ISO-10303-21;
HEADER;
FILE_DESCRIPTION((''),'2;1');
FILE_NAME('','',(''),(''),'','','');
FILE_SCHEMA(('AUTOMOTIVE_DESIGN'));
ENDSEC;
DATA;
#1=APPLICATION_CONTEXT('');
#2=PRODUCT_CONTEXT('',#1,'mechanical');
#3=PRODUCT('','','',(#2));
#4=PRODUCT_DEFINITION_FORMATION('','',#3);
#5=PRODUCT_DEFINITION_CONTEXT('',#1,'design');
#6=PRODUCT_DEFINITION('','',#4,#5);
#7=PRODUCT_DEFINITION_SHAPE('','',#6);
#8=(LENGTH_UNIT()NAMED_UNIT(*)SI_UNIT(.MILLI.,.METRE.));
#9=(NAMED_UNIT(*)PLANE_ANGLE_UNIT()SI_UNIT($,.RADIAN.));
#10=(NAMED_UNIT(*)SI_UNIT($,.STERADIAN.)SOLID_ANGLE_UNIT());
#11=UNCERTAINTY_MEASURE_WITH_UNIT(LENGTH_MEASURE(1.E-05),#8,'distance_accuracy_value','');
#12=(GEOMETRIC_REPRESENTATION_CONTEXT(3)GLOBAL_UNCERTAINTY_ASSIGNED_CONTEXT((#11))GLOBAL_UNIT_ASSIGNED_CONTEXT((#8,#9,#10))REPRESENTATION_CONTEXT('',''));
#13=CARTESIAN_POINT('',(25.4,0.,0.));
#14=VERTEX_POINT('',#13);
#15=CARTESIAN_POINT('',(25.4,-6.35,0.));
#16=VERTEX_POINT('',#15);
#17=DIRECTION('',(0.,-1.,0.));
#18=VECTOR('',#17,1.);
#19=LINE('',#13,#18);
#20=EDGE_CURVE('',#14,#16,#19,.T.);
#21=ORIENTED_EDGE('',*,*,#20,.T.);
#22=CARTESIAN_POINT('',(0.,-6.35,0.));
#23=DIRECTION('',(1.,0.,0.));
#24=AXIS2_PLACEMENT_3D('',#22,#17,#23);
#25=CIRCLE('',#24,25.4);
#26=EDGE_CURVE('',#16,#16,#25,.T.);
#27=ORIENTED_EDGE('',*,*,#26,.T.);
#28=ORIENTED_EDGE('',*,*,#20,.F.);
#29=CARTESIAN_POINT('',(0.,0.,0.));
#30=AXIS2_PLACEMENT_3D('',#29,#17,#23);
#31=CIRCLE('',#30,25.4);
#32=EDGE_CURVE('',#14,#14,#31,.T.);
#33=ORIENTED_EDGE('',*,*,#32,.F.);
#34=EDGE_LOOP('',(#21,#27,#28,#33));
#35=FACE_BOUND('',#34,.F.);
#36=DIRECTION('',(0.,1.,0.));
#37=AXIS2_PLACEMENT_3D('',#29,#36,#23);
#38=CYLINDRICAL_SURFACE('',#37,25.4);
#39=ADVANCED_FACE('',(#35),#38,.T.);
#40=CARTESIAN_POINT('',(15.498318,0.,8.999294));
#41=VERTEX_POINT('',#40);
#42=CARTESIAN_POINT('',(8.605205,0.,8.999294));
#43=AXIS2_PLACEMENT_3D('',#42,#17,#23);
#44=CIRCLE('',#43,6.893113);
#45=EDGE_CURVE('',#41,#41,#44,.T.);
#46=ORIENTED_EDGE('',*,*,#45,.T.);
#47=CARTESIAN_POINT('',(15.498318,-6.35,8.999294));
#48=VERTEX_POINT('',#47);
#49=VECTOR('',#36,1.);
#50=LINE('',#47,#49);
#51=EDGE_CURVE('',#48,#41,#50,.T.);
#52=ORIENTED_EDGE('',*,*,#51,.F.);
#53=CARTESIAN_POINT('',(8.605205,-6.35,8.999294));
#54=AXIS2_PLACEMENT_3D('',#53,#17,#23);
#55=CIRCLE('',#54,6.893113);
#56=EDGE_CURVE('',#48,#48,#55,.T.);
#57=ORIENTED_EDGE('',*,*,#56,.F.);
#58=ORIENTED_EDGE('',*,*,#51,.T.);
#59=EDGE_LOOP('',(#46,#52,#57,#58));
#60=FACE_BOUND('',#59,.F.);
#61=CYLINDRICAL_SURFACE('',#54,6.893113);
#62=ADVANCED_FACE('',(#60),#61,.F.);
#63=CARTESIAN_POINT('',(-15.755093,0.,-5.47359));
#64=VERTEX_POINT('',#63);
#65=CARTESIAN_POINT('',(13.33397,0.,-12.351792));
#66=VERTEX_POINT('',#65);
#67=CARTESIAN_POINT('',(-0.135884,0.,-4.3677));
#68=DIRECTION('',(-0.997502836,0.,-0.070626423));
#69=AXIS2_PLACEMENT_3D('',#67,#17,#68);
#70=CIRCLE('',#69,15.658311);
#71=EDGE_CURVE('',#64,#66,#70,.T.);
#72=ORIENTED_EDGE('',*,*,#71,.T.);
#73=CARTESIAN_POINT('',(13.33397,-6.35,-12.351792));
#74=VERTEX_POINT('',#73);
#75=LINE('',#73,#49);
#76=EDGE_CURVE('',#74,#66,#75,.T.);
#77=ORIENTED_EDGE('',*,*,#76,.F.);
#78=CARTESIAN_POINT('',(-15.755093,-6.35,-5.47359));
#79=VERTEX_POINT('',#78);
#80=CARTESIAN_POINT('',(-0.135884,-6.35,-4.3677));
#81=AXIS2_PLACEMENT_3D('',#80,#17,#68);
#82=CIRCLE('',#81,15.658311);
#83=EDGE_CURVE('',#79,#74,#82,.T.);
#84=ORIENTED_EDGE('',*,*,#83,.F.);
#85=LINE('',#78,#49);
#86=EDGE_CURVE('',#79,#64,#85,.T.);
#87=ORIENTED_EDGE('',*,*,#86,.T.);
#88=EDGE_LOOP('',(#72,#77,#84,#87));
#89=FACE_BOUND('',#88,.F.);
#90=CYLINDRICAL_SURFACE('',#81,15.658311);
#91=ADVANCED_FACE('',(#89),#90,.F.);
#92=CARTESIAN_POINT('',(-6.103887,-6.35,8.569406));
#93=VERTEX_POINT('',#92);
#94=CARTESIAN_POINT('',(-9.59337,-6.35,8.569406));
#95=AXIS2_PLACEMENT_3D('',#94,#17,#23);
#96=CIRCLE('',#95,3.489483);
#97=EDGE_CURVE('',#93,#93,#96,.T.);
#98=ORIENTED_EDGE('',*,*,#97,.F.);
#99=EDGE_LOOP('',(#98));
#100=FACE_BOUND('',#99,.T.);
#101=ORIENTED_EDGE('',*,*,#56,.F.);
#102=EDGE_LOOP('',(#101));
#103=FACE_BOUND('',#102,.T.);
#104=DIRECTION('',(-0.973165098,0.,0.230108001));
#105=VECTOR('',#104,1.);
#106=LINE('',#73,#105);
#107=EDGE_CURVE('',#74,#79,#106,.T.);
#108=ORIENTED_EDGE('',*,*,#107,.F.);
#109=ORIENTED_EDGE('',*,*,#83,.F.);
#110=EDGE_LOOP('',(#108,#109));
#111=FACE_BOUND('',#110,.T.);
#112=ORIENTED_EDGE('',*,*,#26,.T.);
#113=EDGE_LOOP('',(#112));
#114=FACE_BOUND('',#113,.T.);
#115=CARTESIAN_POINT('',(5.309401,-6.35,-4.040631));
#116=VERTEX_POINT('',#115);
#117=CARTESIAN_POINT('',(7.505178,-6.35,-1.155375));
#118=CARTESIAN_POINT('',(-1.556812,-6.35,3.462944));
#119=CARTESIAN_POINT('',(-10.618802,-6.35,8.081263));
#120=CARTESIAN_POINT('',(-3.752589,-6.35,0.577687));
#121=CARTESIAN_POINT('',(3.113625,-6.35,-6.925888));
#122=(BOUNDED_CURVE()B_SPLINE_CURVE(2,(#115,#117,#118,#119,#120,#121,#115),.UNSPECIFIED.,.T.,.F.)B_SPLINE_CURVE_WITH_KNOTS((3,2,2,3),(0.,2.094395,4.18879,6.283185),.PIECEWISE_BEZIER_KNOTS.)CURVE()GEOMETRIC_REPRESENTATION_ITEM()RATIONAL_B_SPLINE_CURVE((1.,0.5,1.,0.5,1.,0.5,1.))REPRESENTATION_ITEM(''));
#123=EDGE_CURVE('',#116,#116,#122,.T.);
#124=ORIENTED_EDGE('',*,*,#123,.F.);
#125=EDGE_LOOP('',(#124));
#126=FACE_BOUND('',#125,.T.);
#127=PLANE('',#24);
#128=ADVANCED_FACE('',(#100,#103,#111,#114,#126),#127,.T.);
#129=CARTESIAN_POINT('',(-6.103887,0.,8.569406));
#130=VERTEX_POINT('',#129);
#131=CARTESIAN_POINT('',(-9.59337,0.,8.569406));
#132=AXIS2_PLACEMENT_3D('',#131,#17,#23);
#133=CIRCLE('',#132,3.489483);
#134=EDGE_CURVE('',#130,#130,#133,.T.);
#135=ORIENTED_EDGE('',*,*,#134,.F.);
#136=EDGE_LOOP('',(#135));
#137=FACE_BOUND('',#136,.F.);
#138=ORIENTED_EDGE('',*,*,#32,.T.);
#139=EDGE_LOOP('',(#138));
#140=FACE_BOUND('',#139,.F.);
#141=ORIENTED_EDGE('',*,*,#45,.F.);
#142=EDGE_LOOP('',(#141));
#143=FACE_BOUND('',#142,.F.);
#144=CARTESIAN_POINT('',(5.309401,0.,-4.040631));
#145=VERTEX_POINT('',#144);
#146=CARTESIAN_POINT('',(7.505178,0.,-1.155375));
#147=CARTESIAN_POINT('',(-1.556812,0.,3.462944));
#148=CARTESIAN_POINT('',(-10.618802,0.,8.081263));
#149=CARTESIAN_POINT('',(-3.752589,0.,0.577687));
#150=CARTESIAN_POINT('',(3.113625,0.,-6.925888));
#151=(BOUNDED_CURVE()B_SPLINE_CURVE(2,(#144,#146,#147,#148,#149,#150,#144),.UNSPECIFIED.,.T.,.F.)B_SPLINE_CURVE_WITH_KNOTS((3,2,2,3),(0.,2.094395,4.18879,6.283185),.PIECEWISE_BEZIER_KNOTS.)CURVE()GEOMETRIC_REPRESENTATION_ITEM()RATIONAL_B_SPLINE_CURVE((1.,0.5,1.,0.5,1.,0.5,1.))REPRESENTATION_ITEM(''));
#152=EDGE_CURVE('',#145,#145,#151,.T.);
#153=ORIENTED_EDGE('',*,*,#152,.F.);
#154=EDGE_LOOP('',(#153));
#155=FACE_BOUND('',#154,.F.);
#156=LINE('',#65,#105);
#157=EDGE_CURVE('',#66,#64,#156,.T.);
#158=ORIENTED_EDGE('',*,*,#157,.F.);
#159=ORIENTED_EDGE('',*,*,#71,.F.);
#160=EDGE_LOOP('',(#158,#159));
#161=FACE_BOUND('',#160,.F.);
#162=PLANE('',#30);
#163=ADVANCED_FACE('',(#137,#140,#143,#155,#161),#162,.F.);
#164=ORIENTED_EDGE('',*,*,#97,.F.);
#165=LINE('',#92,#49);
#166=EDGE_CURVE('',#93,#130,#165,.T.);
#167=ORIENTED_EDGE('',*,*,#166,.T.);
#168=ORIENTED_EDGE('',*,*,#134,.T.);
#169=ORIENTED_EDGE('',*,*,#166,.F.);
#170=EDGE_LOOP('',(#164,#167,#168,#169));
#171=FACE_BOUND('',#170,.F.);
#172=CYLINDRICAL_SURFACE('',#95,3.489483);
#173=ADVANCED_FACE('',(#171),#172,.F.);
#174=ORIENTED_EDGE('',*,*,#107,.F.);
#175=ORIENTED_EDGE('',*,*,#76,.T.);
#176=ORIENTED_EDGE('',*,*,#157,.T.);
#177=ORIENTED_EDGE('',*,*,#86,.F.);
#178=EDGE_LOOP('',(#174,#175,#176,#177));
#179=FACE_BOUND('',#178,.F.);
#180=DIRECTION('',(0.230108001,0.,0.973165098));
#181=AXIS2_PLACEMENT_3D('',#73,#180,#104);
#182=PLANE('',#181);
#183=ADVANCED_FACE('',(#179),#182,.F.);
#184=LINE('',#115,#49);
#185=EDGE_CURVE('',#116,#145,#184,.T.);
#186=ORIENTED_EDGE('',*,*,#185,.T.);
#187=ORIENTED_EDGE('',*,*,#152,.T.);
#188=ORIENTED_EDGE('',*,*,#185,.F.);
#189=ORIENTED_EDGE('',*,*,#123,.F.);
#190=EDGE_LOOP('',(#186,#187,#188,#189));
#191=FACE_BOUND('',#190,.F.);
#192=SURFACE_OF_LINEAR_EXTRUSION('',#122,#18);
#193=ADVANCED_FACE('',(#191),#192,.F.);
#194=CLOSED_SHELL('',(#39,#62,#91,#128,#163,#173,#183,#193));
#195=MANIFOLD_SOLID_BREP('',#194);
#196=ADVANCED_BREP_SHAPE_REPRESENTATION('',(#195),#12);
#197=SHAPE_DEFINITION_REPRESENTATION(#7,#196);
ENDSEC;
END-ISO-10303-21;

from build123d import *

# Parameters (mm, degrees)
F0_R     = 25.4
F1_DEPTH = 6.35
F2_R     = 3.489483
F2_R_2   = 6.893113
F3_DEPTH = 6.35


with BuildPart() as f1:
    # F0 (on Front) → F1 (new body)
    with BuildSketch(Plane.XZ):
        Circle(F0_R)
    extrude(amount=F1_DEPTH)

    # F2 (on face) → F3 (cut)
    with BuildSketch(Plane.XZ.offset(6.35)):
        with Locations((-9.59337, 8.569406)):
            Circle(F2_R)
        with Locations((8.605205, 8.999294)):
            Circle(F2_R_2)
        with BuildLine():
            add(Edge.make_bspline(
                [(5.309401, -4.040631), (7.505178, -1.155375), (-1.556812, 3.462944), (-10.618802, 8.081263), (-3.752589, 0.577687), (3.113625, -6.925888), (5.309401, -4.040631)],
                knots=[0, 0, 0, 2.094395, 2.094395, 4.18879, 4.18879, 6.283185, 6.283185, 6.283185], degree=2, weights=[1, 0.5, 1, 0.5, 1, 0.5, 1]))
        make_face()
        with BuildLine():
            Line((13.33397, -12.351792), (-15.755093, -5.47359))
            ThreePointArc((-15.755093, -5.47359), (-3.738986, -19.605821), (13.33397, -12.351792))
        make_face()
    extrude(amount=-F3_DEPTH, mode=Mode.SUBTRACT)


solid = f1.part
